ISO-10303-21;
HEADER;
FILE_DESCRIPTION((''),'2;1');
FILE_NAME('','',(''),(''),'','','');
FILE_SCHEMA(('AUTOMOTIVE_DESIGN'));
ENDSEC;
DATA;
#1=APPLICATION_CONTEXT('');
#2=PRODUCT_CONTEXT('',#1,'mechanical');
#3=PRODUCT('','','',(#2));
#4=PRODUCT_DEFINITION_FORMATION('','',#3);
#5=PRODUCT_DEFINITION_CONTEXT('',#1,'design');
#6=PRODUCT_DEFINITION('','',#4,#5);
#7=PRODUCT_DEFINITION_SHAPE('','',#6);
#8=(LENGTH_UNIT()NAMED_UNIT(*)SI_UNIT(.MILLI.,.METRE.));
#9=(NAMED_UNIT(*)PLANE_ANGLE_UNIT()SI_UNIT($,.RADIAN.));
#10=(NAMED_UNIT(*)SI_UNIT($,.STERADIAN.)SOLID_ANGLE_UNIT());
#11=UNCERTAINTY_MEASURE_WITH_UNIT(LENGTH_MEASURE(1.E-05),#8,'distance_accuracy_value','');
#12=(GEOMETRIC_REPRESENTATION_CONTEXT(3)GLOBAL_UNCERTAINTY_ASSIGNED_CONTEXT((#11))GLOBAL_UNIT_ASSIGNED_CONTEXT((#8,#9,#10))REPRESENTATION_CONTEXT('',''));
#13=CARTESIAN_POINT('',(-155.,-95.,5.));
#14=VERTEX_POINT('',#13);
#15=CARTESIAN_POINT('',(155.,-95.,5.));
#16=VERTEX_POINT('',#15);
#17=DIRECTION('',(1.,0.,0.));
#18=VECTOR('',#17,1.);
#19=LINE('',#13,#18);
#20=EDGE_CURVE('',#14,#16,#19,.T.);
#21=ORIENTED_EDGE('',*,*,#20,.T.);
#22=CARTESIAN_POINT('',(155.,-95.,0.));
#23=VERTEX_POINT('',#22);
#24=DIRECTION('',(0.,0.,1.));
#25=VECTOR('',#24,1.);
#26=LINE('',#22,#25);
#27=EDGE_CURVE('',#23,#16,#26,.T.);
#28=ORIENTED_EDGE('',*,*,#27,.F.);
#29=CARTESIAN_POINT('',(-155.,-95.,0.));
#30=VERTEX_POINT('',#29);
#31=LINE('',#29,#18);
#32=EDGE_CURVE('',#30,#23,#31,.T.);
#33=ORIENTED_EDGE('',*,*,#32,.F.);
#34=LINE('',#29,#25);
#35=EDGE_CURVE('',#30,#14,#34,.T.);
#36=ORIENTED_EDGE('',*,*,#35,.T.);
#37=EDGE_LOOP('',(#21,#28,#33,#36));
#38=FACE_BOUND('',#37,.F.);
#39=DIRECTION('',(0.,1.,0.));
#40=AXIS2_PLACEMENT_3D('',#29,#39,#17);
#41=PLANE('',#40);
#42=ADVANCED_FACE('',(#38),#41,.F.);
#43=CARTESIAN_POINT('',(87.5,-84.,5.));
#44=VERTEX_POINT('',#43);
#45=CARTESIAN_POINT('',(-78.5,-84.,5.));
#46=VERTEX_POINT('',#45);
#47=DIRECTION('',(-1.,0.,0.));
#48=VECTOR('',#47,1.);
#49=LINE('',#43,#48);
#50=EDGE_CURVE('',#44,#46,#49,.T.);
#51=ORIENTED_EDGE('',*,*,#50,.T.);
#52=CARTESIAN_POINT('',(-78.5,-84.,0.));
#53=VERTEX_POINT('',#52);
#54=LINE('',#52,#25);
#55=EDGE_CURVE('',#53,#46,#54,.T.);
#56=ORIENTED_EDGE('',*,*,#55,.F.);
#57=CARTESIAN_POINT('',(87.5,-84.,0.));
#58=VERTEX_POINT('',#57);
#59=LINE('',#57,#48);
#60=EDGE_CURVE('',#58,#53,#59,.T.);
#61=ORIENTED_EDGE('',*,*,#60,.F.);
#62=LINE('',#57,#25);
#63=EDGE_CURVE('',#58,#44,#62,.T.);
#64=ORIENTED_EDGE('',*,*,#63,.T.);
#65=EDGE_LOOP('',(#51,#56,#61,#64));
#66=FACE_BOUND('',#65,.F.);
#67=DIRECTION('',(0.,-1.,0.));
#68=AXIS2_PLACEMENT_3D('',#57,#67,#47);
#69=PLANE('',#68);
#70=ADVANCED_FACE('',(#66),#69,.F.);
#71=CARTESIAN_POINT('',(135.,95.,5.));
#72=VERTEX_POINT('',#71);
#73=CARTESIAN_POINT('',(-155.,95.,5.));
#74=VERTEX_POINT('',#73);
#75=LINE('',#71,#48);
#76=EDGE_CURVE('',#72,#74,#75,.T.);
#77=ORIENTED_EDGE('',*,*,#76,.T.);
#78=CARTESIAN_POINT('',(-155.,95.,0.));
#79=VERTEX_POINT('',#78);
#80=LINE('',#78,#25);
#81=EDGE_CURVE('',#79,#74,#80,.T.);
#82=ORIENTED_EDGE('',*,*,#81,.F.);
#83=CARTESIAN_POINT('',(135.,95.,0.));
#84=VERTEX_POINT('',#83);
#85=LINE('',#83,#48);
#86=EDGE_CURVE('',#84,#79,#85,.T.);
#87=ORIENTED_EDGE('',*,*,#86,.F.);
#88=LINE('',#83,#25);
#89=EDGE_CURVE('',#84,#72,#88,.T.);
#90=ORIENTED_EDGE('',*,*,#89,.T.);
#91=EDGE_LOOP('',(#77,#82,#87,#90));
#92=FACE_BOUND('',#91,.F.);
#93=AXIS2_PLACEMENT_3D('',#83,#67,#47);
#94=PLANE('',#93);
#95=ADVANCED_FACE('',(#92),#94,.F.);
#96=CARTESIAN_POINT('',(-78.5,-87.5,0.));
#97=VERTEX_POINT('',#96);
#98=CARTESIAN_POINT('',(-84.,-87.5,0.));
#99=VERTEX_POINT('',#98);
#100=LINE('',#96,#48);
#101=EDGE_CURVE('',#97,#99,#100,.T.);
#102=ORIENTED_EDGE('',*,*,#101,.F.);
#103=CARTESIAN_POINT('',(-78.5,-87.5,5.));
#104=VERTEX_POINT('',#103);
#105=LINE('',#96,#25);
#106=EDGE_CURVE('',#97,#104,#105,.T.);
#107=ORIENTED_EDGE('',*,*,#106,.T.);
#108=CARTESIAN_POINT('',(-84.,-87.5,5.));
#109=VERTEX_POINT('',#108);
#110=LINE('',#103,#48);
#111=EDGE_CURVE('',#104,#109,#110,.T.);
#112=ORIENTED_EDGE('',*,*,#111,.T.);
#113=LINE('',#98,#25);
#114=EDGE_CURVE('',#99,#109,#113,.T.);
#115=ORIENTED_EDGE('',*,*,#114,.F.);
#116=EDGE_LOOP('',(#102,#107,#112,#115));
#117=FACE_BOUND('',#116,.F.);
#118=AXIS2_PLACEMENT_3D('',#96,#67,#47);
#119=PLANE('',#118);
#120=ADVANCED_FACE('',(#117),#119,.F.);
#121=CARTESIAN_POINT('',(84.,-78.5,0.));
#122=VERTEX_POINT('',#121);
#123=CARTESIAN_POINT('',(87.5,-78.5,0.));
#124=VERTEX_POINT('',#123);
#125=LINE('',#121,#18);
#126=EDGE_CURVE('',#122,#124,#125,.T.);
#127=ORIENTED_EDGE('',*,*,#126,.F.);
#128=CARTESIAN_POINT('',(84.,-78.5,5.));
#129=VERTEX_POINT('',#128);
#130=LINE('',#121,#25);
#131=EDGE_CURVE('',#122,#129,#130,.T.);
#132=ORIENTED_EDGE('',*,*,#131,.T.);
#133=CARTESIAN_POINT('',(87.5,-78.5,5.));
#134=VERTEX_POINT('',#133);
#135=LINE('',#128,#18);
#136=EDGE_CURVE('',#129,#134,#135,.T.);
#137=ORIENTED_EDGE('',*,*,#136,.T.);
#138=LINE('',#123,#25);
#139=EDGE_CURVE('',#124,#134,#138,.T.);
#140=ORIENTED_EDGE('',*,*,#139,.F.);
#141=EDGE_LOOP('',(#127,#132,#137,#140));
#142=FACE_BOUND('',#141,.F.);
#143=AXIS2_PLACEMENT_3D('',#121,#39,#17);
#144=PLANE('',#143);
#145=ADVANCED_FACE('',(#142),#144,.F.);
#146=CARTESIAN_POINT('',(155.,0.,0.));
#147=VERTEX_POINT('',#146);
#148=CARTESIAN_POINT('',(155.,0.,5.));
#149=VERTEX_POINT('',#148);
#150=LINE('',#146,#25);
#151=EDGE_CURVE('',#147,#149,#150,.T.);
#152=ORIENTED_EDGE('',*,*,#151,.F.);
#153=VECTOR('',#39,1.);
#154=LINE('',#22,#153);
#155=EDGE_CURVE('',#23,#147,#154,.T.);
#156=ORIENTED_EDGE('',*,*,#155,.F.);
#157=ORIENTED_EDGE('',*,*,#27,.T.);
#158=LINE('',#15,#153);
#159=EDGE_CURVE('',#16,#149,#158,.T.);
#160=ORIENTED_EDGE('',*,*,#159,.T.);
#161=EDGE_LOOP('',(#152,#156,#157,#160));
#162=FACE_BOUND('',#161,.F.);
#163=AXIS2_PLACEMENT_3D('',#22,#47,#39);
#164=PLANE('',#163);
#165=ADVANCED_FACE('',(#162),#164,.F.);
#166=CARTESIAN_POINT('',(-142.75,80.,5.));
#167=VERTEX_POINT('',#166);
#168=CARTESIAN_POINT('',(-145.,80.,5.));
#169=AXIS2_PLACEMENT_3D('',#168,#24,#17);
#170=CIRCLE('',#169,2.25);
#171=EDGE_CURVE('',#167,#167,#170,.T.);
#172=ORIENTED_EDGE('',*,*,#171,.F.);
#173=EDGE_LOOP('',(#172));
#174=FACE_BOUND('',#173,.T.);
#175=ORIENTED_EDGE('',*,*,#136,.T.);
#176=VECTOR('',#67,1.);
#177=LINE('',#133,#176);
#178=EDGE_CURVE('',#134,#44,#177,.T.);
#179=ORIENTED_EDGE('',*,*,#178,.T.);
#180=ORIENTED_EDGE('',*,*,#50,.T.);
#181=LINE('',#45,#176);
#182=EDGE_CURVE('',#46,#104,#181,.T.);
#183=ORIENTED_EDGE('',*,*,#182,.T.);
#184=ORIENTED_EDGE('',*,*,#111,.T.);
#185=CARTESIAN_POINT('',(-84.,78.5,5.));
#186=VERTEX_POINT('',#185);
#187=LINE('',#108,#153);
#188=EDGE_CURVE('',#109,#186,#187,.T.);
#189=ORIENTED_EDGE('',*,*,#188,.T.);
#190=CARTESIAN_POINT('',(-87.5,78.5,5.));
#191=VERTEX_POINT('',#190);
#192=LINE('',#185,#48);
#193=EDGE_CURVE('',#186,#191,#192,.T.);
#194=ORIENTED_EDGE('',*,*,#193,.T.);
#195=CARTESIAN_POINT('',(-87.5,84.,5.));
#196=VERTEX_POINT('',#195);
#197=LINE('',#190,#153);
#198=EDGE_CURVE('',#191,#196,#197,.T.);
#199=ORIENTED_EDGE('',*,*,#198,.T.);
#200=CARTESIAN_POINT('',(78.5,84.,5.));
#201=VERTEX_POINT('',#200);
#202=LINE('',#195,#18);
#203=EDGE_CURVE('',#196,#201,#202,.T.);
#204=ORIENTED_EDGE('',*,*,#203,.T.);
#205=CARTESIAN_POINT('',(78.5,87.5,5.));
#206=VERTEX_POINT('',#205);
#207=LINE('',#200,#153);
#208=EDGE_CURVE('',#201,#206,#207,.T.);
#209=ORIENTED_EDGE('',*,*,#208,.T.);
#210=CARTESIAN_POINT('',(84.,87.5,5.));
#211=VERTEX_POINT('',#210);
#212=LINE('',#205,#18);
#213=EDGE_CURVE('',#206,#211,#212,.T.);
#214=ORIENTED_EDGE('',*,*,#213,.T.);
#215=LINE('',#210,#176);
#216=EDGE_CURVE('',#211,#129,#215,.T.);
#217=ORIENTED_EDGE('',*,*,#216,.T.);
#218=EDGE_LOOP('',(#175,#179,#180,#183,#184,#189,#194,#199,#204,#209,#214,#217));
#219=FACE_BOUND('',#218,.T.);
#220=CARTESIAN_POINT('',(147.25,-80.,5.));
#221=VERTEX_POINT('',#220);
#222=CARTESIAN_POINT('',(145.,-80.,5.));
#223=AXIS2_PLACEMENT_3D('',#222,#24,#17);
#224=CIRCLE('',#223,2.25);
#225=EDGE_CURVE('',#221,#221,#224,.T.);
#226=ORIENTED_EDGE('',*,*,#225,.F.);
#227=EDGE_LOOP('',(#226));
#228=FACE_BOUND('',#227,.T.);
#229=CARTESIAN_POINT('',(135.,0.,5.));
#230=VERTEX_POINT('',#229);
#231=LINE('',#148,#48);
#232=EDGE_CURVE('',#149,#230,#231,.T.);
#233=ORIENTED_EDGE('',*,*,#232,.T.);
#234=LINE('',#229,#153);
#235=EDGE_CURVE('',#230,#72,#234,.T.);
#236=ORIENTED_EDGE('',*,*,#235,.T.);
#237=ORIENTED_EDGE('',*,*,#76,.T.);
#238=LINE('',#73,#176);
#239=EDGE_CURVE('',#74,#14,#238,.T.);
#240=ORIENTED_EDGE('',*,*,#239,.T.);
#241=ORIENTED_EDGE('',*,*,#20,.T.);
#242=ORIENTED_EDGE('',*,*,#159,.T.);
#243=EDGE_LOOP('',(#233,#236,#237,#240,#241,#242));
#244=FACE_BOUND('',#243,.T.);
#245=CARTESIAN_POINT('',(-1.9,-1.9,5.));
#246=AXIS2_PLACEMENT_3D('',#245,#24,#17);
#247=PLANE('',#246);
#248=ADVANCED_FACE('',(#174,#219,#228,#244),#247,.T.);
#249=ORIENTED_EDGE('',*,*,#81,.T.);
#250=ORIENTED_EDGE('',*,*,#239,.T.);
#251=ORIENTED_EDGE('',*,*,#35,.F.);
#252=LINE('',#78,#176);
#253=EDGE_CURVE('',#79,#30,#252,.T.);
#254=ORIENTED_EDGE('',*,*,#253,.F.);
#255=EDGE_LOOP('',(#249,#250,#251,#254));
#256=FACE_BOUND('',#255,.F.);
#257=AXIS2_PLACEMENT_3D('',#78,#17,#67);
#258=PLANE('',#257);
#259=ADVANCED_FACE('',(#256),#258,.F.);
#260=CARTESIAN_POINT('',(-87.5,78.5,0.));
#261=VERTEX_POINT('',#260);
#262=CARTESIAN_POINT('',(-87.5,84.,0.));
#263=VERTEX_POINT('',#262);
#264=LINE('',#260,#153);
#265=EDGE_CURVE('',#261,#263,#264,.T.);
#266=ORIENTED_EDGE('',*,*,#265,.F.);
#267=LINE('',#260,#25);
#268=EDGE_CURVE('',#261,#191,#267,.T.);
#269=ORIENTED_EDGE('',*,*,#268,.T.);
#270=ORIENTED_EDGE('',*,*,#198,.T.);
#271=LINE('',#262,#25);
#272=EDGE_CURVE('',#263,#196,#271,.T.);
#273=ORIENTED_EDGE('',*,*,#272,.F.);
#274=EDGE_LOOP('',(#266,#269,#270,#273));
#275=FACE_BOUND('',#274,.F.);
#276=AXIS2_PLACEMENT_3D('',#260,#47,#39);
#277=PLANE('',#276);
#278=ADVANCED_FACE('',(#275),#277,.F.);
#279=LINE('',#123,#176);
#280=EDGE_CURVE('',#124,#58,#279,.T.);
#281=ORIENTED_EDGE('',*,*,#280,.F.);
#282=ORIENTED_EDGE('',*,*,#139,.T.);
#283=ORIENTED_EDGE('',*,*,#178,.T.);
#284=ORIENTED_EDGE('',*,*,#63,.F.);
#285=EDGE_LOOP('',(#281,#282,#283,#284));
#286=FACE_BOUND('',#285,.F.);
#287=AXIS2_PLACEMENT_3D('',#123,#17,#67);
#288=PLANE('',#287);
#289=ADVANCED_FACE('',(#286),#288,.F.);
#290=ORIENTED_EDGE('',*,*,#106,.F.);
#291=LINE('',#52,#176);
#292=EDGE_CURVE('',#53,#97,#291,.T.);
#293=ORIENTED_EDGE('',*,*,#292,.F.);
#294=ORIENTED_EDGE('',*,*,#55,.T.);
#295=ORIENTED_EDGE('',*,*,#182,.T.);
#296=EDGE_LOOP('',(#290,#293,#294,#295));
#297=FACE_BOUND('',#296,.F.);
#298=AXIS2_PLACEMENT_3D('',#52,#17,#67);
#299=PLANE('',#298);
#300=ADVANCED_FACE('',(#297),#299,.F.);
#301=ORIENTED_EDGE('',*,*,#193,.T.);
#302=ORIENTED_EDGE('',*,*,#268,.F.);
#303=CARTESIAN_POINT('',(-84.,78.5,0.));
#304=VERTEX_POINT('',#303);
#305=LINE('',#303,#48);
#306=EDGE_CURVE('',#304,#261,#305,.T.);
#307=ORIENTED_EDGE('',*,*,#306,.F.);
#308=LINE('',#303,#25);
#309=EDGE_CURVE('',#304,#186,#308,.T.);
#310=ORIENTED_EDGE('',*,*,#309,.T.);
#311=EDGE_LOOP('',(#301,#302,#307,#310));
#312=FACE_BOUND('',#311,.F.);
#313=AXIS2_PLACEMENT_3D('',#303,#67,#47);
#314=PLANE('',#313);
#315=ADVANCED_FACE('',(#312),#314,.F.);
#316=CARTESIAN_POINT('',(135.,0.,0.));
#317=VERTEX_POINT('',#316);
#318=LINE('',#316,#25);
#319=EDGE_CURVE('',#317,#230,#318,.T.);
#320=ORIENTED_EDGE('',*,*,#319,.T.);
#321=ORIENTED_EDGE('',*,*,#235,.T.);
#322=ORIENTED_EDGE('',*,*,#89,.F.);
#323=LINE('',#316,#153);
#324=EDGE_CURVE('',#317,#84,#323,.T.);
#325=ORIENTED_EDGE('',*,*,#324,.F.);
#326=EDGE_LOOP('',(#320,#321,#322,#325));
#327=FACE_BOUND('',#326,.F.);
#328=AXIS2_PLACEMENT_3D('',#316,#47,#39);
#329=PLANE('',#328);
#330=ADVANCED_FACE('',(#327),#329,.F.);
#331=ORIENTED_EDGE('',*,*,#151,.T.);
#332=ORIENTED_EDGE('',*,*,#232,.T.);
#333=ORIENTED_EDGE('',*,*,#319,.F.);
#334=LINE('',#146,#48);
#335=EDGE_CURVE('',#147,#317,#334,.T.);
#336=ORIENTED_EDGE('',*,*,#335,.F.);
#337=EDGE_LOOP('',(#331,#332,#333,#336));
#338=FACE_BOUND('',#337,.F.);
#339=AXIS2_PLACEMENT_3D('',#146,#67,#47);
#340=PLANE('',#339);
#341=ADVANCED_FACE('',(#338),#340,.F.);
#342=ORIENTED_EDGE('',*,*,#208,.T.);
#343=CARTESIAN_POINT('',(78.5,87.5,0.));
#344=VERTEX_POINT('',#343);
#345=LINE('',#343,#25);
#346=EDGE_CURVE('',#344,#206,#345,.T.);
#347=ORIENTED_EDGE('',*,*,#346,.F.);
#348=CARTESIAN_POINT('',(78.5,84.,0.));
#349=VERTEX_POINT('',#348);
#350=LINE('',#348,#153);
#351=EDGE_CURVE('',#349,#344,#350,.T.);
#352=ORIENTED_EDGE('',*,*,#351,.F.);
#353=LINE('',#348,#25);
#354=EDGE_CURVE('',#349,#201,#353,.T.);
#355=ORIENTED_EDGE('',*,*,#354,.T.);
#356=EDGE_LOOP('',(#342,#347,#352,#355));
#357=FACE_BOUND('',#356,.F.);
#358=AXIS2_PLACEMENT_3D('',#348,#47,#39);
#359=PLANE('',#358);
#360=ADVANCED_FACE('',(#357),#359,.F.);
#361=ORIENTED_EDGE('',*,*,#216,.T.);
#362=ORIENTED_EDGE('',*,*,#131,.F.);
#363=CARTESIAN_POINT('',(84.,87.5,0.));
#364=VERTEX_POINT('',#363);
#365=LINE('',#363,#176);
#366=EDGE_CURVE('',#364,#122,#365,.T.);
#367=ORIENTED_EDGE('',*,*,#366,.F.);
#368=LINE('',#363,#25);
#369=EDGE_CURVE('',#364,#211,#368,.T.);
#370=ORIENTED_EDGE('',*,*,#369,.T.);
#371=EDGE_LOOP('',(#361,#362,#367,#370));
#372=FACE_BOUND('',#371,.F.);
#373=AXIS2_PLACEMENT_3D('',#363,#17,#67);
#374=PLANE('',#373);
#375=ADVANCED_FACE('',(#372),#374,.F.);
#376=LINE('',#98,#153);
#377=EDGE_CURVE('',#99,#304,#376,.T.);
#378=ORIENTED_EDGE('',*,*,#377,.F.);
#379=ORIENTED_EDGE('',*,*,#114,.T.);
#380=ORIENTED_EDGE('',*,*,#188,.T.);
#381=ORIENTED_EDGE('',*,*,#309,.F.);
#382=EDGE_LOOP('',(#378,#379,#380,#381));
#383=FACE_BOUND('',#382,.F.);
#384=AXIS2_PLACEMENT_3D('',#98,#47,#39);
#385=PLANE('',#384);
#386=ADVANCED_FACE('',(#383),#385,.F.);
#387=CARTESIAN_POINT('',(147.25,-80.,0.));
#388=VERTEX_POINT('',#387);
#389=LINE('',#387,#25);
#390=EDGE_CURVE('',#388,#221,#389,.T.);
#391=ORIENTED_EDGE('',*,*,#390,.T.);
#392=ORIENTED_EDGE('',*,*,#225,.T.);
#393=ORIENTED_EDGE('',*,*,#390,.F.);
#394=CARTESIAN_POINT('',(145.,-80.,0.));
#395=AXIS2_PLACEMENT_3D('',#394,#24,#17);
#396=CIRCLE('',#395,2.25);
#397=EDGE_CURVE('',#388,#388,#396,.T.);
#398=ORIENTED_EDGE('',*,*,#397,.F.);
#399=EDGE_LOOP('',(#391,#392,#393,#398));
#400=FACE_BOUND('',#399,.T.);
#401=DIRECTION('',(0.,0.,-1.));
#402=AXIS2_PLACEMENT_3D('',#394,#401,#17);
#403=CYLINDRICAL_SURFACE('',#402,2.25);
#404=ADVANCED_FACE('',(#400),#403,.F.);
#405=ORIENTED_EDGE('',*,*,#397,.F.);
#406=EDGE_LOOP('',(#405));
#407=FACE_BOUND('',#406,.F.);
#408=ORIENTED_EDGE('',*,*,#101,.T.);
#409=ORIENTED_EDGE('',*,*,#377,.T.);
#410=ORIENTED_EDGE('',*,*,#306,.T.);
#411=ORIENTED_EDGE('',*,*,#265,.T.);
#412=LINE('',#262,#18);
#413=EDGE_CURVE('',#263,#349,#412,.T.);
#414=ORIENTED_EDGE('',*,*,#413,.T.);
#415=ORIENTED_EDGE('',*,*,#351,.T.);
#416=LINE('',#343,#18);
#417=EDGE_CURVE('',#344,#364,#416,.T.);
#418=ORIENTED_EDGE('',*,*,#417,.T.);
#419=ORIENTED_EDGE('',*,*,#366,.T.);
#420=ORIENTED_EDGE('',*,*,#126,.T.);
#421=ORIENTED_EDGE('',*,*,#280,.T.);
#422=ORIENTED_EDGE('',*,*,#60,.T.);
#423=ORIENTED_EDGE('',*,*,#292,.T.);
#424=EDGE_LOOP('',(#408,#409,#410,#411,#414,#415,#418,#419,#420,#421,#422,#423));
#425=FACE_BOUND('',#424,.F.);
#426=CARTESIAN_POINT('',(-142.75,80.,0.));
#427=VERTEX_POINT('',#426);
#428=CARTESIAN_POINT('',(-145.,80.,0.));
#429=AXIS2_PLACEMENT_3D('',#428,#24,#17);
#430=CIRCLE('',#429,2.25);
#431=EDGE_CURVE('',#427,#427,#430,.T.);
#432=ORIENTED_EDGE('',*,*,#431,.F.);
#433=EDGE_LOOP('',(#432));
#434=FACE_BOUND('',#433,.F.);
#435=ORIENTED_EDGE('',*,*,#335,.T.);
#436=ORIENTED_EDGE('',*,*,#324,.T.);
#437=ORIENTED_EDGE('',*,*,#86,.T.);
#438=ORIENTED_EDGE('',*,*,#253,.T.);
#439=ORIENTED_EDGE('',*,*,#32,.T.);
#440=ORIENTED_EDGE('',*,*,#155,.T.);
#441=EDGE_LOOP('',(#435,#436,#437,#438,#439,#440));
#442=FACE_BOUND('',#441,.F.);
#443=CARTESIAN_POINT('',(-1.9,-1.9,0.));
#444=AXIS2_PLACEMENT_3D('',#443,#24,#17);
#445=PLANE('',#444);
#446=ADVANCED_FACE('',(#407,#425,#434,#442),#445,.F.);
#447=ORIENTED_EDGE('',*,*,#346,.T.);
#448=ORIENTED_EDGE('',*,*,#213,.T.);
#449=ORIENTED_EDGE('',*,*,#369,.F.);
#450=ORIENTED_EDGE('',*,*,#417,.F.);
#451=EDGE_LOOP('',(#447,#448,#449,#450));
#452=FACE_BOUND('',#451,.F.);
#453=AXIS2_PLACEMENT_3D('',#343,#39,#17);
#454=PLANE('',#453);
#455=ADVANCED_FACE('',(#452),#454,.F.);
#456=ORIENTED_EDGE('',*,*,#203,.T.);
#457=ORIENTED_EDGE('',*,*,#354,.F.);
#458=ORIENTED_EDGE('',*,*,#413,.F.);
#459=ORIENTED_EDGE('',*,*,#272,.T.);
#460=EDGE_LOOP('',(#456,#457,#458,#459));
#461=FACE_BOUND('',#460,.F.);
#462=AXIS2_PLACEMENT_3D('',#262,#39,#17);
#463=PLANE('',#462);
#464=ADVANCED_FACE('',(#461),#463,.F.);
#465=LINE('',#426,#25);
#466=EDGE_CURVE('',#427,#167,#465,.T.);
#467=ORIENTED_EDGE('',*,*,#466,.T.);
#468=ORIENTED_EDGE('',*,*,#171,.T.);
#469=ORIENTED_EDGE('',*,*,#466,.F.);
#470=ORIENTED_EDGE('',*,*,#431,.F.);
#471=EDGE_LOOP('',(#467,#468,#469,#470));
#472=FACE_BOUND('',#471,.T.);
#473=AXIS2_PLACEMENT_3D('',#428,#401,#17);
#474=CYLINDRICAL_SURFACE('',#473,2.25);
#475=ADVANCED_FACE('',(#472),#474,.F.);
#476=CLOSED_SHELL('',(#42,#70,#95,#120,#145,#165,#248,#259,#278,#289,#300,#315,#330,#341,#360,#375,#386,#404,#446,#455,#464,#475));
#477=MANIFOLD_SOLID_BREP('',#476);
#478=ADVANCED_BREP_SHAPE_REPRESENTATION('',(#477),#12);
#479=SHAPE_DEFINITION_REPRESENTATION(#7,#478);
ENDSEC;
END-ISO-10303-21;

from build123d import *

# Parameters (mm, degrees)
F0_R     = 2.25
F1_DEPTH = 5


with BuildPart() as f1:
    # F0 (on Top) → F1 (new body)
    with BuildSketch(Plane.XY):
        Polygon((-155, -95), (155, -95), (155, 0), (135, 0), (135, 95), (-155, 95), align=None)
        with Locations((145, -80)):
            Circle(F0_R, mode=Mode.SUBTRACT)
        Polygon((87.5, -84), (84, -84), (-78.5, -84), (-78.5, -87.5), (-84, -87.5), (-84, -84), (-84, 78.5), (-87.5, 78.5), (-87.5, 84), (-84, 84), (78.5, 84), (78.5, 87.5), (84, 87.5), (84, 84), (84, -78.5), (87.5, -78.5), align=None, mode=Mode.SUBTRACT)
        with Locations((-145, 80)):
            Circle(F0_R, mode=Mode.SUBTRACT)
    extrude(amount=F1_DEPTH)


solid = f1.part
